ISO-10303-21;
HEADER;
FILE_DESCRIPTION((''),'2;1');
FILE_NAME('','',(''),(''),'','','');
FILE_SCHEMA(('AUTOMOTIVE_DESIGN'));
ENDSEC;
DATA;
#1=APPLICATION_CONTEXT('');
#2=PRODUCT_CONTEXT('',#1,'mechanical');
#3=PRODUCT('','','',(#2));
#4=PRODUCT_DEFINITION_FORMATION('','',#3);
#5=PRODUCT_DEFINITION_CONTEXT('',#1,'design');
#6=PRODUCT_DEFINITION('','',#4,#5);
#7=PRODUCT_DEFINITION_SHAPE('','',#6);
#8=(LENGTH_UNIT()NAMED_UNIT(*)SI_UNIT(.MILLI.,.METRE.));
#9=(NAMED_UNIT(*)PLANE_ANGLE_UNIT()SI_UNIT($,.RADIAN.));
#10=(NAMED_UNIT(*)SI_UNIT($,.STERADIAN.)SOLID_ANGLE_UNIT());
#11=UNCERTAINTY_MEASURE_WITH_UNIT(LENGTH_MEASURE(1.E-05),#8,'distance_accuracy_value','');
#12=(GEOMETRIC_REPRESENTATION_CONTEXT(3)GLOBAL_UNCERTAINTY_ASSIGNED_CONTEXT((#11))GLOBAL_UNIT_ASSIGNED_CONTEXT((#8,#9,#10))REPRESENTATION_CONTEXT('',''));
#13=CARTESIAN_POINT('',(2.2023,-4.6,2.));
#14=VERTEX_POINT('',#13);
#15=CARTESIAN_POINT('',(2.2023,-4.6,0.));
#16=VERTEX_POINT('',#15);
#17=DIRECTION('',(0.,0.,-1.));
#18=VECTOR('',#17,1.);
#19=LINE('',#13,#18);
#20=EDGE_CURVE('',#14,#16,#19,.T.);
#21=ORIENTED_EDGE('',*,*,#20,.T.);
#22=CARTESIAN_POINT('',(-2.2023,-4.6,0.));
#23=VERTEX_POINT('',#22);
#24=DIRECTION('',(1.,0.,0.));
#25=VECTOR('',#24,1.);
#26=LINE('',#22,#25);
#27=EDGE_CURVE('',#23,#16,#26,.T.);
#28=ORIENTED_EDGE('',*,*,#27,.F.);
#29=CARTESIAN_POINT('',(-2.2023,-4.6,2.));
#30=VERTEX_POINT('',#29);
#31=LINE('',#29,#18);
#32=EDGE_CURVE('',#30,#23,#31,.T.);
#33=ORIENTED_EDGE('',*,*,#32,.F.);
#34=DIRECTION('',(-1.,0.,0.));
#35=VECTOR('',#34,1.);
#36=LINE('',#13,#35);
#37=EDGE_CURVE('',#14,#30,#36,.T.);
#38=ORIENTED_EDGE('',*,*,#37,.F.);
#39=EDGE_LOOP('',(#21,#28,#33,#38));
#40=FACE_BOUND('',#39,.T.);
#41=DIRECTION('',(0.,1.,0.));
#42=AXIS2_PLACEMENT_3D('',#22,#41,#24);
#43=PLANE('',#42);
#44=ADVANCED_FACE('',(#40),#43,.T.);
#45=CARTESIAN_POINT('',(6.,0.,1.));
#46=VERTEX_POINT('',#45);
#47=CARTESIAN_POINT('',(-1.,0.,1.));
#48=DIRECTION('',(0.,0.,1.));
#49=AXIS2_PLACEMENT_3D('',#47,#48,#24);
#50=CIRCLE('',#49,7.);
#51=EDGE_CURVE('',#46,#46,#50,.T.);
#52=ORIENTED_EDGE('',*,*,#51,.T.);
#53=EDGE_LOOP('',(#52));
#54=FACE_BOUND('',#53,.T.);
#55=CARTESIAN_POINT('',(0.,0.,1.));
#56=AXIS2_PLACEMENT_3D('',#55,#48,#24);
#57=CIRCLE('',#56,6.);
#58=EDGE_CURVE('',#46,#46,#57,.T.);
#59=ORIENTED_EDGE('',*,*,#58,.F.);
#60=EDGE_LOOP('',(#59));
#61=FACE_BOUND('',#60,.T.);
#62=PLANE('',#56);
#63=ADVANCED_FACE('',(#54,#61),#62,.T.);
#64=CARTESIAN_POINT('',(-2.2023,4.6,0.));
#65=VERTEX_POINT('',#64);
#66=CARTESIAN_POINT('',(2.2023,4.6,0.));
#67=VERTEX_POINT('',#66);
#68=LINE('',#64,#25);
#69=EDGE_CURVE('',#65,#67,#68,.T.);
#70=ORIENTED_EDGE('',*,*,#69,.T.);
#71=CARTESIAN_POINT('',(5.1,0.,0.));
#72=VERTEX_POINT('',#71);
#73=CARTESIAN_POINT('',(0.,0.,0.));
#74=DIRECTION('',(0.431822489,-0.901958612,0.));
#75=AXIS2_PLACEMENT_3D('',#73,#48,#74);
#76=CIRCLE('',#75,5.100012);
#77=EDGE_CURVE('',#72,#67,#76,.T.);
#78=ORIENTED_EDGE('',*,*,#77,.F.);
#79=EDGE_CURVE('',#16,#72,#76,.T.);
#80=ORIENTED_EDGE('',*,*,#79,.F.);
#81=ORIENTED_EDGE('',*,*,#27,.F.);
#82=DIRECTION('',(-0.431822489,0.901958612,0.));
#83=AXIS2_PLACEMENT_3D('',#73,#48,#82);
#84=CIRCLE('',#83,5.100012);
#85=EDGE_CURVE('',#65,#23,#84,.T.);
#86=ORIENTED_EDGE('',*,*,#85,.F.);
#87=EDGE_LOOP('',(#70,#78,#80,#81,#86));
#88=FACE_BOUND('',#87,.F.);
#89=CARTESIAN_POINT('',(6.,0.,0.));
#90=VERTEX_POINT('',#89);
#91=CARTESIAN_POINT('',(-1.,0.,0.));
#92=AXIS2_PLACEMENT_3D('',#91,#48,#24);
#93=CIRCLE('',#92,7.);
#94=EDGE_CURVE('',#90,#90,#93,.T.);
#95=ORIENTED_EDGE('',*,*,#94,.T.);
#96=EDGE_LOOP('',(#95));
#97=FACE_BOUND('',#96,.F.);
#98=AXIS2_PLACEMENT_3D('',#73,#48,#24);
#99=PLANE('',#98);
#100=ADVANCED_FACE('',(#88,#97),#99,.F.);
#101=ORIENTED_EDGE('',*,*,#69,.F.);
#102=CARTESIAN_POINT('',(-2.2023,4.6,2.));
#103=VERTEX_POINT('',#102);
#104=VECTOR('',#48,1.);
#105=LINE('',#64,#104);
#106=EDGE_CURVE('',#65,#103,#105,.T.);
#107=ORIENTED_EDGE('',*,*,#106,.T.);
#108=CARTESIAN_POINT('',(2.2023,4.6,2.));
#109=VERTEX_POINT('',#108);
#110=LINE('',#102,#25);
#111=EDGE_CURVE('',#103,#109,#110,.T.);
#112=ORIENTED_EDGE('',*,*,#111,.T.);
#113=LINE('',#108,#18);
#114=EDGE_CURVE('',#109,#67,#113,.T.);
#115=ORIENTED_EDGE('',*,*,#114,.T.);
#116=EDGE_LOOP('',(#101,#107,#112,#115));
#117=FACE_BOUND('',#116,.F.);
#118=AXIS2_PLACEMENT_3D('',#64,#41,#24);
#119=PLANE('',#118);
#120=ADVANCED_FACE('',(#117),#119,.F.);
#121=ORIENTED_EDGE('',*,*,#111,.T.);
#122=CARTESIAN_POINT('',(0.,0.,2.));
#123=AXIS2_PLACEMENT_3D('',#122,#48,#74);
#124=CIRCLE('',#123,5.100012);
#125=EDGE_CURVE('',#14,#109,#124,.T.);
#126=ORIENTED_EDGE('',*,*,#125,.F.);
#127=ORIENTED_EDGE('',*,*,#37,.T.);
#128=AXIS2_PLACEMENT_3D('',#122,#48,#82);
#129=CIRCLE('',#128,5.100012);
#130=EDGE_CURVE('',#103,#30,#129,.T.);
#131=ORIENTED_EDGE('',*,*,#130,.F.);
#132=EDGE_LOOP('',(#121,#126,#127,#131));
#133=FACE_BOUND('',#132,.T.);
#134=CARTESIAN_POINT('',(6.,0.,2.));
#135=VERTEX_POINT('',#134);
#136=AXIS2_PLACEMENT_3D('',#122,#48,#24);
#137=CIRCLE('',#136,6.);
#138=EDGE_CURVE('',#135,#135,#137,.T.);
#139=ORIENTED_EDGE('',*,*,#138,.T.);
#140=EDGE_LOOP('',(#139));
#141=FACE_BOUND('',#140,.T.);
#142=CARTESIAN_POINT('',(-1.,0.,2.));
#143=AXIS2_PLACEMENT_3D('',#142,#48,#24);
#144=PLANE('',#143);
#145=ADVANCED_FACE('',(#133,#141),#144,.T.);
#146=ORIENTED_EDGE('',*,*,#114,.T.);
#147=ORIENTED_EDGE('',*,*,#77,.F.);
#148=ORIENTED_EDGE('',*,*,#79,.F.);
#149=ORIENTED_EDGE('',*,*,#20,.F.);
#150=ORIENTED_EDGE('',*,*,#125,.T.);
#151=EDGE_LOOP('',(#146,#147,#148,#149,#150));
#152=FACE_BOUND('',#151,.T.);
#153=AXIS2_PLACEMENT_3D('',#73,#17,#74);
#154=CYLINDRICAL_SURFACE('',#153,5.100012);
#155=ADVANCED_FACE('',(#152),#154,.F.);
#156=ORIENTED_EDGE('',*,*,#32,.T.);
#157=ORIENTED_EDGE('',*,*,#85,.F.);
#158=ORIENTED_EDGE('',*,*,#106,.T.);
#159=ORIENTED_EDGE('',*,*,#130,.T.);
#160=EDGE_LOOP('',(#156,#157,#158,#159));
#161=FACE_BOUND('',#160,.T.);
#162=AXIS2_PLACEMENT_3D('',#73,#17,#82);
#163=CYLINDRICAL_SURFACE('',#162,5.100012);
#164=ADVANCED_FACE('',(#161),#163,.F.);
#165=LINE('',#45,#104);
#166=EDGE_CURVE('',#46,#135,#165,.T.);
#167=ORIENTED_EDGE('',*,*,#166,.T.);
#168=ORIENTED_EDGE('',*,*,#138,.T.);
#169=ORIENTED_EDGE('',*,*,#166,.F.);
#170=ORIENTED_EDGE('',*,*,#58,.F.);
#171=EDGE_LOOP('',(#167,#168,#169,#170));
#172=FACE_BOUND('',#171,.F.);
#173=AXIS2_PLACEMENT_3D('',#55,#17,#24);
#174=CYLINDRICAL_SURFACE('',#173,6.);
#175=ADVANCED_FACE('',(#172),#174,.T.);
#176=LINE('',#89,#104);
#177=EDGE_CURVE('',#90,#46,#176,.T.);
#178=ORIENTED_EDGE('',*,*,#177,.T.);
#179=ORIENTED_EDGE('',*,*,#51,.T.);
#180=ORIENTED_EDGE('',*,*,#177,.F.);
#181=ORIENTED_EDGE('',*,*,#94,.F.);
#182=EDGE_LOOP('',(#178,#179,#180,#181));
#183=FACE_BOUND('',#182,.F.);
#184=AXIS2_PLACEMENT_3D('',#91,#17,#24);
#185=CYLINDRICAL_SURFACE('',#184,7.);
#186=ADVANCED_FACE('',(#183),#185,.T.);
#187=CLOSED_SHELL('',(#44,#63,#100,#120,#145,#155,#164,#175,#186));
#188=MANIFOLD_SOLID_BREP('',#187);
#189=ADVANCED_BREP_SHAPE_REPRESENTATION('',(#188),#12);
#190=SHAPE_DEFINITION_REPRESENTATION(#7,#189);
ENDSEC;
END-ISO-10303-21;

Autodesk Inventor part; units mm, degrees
ref_plane "YZ Plane" through (0, 0, 0) normal (1, 0, 0) x (0, 1, 0)
ref_plane "XZ Plane" through (0, 0, 0) normal (0, 1, 0) x (-1, 0, 0)
ref_plane "XY Plane" through (0, 0, 0) normal (0, 0, 1) x (1, 0, 0)
sketch "Sketch1" plane through (0, 0, 0) normal (0, 0, 1) x (1, 0, 0)
  line L0 (-2.2023, 4.6) -> (2.2023, 4.6)
  line L1 (-2.2023, -4.6) -> (2.2023, -4.6)
  line L2 (0, 0) -> (7.7204, 0) construction
  arc A0 (-2.2023, 4.6) -> (-2.2023, -4.6) centre (0, 0) ccw
  arc A1 (2.2023, -4.6) -> (2.2023, 4.6) centre (0, 0) ccw
  line L3 (0, 0) -> (-1, 0)
  circle A2 centre (-1, 0) radius 7
  line L4 (5.1, 0) -> (6, 0)
  dimension "d3" = 14
  dimension "d0" = 9.2
  dimension "d1" = 5.1
  dimension "d2" = 1
  dimension "d9" = 0.9
extrude "Extrusion1" add sketch "Sketch1" along normal blind 1
sketch "Sketch2" plane through (-1, 0, 1) normal (0, 0, 1) x (1, 0, 0)
  arc A0 (3.2023, -4.6) -> (3.2023, 4.6) centre (1, 0) ccw projected
  line L0 (3.2023, -4.6) -> (-1.2023, -4.6) projected
  arc A1 (-1.2023, 4.6) -> (-1.2023, -4.6) centre (1, 0) ccw projected
  line L1 (-1.2023, 4.6) -> (3.2023, 4.6) projected
  circle A2 centre (0, 0) radius 7 projected
  circle A3 centre (1, 0) radius 6
  dimension "d6" = 12
extrude "Extrusion2" add sketch "Sketch2" along normal blind 1 contours A3
properties part number "top_clip" material "ABS Plastic"
